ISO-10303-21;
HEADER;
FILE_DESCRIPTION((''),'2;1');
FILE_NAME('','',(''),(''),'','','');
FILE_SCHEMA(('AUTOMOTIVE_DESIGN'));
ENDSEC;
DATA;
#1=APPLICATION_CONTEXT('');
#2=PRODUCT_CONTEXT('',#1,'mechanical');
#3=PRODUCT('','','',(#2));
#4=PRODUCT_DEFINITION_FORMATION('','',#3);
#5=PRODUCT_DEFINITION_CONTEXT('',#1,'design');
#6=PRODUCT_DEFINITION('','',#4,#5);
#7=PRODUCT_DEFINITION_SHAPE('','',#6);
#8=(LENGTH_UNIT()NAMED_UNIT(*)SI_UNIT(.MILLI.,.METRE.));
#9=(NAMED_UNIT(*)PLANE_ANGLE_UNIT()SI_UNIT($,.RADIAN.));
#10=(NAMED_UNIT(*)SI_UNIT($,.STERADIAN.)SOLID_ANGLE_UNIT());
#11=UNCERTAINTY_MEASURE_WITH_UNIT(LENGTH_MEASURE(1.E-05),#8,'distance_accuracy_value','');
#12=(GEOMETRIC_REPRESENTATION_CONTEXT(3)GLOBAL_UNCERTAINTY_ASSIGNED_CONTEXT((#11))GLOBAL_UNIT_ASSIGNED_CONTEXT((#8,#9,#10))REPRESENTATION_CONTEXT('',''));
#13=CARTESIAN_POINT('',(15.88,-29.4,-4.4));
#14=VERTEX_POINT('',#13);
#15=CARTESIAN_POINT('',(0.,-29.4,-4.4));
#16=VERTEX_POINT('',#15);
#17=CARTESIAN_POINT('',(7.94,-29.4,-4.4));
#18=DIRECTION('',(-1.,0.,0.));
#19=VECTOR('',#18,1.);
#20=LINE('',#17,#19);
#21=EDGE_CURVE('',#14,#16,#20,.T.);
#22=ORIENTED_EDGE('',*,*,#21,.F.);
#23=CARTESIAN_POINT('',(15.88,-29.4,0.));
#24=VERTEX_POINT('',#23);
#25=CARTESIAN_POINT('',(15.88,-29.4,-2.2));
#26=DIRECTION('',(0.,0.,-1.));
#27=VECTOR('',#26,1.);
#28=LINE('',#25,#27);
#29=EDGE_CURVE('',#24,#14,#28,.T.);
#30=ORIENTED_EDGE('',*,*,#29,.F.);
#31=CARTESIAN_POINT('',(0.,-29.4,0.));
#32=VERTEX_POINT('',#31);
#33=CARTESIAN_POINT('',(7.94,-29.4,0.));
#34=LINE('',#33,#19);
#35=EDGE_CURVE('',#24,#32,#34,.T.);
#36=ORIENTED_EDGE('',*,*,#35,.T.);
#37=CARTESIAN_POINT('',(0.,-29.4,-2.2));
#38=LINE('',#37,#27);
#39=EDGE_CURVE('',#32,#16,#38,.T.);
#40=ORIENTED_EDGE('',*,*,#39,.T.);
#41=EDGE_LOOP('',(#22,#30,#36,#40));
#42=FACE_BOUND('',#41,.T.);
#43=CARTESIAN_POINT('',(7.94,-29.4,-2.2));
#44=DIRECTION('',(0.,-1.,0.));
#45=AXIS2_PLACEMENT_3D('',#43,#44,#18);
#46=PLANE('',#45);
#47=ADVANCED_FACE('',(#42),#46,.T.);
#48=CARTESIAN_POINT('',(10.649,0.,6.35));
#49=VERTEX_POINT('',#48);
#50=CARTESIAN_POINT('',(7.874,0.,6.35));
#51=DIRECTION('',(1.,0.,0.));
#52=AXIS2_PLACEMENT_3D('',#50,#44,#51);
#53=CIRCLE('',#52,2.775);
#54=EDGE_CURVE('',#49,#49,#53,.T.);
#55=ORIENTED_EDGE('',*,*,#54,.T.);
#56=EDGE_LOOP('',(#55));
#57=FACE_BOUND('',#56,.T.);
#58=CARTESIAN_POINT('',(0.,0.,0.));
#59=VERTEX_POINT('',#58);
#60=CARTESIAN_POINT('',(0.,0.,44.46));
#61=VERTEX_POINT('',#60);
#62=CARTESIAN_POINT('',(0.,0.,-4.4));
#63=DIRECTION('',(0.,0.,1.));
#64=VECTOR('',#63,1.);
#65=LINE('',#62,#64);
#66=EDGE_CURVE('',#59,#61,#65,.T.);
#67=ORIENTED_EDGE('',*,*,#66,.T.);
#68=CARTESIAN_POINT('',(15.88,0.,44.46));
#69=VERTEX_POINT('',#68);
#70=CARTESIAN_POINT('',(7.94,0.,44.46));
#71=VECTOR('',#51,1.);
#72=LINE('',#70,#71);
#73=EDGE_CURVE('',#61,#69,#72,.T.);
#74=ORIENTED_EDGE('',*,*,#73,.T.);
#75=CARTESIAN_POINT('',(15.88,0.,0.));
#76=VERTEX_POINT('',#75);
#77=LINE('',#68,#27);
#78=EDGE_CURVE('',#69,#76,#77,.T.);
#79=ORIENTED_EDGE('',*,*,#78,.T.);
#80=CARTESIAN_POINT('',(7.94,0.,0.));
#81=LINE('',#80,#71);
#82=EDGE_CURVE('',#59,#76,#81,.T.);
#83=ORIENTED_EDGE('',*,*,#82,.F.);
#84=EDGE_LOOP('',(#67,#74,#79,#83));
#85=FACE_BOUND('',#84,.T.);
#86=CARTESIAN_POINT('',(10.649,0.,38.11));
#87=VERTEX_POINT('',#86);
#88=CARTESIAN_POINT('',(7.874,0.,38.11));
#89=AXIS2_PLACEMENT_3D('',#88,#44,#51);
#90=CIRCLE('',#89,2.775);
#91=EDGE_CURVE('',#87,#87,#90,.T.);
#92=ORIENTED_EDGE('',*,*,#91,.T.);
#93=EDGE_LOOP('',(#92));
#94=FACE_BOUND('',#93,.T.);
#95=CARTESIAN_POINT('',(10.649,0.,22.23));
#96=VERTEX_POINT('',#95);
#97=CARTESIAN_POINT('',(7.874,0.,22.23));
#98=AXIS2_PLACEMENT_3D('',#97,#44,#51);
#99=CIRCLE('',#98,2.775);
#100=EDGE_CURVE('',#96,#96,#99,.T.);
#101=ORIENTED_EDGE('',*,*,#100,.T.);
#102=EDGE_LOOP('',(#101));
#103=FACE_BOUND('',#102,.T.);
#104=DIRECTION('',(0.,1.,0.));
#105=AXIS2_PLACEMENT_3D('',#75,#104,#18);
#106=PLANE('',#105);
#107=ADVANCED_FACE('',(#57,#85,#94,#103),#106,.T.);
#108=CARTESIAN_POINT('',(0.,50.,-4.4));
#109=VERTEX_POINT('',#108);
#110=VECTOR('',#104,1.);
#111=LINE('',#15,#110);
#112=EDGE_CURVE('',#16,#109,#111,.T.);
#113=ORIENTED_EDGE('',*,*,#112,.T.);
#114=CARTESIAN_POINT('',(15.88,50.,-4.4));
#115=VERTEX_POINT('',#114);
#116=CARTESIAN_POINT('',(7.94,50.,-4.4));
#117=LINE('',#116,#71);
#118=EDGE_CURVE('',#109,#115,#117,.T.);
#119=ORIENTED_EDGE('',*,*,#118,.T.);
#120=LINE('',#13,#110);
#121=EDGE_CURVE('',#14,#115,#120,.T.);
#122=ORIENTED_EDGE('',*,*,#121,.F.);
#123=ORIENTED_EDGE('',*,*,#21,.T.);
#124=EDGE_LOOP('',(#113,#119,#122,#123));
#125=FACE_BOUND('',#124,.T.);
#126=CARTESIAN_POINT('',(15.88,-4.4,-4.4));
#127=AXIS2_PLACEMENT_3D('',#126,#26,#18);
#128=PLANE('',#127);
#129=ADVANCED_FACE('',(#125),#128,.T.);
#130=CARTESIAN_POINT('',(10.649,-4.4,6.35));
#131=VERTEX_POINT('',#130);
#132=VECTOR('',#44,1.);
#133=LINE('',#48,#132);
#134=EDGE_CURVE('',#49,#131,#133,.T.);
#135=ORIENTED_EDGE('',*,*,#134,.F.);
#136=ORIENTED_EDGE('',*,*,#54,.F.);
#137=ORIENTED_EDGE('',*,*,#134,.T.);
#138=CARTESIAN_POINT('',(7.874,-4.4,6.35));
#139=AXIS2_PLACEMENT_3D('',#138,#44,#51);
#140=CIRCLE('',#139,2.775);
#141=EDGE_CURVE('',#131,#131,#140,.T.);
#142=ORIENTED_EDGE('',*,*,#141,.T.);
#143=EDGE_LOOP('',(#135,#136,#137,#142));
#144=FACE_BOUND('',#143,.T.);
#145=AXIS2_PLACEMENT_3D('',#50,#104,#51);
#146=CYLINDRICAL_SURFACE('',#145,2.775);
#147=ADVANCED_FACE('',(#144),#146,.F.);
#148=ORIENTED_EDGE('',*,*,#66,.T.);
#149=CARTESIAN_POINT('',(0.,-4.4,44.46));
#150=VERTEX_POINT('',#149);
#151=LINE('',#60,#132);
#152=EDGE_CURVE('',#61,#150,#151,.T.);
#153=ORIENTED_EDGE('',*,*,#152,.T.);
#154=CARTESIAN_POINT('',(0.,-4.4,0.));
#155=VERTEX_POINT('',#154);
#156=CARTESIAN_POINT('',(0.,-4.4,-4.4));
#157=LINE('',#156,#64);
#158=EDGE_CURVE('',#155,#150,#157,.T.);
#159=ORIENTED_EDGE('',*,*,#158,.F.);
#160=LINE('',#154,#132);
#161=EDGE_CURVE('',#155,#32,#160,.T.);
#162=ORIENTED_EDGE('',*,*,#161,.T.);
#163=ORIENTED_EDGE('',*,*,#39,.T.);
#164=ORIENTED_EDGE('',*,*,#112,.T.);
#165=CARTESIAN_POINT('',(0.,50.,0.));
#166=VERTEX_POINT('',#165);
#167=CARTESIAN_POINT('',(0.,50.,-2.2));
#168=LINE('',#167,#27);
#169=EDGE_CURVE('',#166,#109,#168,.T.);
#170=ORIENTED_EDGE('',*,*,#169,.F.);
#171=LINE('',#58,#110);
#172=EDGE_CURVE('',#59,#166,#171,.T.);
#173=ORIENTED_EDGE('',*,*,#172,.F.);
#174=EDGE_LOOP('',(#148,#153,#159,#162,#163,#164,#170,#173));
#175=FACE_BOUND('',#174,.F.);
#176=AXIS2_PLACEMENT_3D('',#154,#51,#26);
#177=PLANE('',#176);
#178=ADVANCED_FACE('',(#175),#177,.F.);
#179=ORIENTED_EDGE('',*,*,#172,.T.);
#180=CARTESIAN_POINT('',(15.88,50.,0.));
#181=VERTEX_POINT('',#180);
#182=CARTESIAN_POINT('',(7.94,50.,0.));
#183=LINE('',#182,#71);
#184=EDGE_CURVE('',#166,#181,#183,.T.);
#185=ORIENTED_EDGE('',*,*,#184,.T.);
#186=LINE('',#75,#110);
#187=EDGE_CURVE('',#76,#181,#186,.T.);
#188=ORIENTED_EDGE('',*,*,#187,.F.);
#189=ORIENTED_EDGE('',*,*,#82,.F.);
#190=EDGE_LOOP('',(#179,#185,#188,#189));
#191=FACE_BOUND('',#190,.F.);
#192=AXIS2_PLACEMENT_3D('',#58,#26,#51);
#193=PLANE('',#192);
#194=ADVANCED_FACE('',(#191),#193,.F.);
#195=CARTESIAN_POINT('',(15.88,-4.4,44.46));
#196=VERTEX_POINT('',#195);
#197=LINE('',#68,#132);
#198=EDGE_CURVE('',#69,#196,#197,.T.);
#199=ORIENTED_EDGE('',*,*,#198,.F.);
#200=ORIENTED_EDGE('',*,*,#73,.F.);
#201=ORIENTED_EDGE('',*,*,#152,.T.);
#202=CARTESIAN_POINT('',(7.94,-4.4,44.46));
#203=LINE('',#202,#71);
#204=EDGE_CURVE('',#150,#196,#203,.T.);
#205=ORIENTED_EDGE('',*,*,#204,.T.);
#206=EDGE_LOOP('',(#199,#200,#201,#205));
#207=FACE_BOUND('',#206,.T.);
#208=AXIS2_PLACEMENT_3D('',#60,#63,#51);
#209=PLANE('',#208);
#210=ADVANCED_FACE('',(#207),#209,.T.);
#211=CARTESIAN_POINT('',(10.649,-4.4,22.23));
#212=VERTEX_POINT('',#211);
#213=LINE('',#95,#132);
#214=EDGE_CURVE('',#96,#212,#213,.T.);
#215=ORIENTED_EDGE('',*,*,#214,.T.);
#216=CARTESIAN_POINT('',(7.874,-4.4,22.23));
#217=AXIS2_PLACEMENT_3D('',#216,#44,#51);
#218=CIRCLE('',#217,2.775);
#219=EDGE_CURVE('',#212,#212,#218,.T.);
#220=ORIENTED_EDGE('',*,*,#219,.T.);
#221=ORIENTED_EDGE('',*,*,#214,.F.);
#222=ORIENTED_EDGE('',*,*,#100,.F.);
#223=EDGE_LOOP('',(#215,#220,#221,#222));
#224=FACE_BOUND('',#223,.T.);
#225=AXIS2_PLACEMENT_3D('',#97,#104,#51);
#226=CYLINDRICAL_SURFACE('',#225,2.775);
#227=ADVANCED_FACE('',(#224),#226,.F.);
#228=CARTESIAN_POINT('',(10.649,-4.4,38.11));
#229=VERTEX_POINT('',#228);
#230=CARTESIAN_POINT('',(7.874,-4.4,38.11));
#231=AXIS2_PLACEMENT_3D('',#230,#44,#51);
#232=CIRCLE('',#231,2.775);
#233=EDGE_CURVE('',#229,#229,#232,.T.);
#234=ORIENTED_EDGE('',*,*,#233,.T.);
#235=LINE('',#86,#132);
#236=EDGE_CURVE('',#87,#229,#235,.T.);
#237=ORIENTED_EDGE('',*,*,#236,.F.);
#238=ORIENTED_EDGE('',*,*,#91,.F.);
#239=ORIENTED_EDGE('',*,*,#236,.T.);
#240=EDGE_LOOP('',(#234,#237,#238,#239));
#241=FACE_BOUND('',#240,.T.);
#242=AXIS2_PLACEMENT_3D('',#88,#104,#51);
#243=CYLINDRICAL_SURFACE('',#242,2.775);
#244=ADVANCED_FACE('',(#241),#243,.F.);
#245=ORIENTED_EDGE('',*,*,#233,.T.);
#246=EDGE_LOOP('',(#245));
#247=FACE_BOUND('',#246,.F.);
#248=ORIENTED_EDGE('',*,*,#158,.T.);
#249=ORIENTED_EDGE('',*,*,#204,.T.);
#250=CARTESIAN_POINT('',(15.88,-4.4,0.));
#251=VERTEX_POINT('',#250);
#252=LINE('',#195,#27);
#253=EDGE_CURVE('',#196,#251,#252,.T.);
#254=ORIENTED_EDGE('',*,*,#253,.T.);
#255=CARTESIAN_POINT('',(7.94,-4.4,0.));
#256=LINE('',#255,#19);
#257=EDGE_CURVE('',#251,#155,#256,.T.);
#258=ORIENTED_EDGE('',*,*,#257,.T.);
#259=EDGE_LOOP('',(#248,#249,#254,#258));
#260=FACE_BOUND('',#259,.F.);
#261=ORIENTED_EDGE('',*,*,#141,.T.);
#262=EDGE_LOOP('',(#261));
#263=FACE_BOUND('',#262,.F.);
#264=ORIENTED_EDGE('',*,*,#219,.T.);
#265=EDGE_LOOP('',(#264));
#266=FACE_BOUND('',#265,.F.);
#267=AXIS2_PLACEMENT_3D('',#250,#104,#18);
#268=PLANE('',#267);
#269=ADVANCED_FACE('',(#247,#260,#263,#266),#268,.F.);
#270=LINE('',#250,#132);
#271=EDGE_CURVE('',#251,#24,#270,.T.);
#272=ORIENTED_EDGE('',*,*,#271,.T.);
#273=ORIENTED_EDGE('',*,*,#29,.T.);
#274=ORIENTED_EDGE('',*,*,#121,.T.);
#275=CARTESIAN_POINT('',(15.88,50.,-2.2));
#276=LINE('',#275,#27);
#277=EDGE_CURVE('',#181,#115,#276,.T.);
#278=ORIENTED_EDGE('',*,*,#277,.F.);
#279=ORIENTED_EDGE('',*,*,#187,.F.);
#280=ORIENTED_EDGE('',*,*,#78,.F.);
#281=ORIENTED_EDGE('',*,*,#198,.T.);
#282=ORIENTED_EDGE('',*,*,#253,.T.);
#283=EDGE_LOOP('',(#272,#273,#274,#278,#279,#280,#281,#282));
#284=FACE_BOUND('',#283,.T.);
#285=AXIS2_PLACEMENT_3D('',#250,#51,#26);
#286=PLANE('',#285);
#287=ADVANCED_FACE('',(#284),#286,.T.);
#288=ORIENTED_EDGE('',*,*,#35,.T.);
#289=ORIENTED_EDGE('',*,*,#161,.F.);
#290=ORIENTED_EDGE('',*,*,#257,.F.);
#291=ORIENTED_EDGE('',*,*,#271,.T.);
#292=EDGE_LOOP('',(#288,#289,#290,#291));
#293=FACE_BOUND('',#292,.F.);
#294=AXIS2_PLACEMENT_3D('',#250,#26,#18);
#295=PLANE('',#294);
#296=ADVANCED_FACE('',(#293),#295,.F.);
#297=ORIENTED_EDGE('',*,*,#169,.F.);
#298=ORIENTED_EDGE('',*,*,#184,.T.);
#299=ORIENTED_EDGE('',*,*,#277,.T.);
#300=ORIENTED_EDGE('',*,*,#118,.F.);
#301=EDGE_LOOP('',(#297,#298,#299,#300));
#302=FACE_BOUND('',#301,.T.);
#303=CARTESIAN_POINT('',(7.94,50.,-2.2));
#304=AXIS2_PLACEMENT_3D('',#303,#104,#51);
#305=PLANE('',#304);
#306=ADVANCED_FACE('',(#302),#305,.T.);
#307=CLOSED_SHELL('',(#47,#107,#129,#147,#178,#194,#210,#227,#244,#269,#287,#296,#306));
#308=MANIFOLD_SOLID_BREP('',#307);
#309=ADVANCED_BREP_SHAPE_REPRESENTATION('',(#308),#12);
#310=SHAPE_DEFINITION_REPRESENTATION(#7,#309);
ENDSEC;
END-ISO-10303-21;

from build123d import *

# Parameters (mm, degrees)
SKETCH_W       = 15.88
SKETCH_H       = 44.46
SKETCH_R       = 2.775
PAD_DEPTH      = 4.4
PAD_FACE1_W    = 4.4
PAD_FACE1_H    = 15.88
PAD001_DEPTH   = 4.4
PAD001_FACE6_W = 15.88
PAD001_FACE6_H = 4.4
PAD002_DEPTH   = 50
PAD002_FACE7_W = 15.88
PAD002_FACE7_H = 4.4
PAD003_DEPTH   = 25


with BuildPart() as part:
    # Sketch → Pad (new body)
    with BuildSketch(Plane.XZ):
        with Locations((7.94, 22.23)):
            Rectangle(SKETCH_W, SKETCH_H)
        with Locations((7.874, 6.35)):
            Circle(SKETCH_R, mode=Mode.SUBTRACT)
        with Locations((7.874, 22.23)):
            Circle(SKETCH_R, mode=Mode.SUBTRACT)
        with Locations((7.874, 38.11)):
            Circle(SKETCH_R, mode=Mode.SUBTRACT)
    extrude(amount=PAD_DEPTH)

    # Pad Face1 → Pad001 (add)
    with BuildSketch(Plane(origin=(7.94, -2.2, 0), x_dir=(0, -1, 0), z_dir=(0, 0, -1))):
        Rectangle(PAD_FACE1_W, PAD_FACE1_H)
    extrude(amount=PAD001_DEPTH)

    # Pad001 Face6 → Pad002 (add)
    with BuildSketch(Plane(origin=(7.94, 0, -2.2), x_dir=(1, 0, 0), z_dir=(0, 1, 0))):
        Rectangle(PAD001_FACE6_W, PAD001_FACE6_H)
    extrude(amount=PAD002_DEPTH)

    # Pad002 Face7 → Pad003 (add)
    with BuildSketch(Plane(origin=(7.94, -4.4, -2.2), x_dir=(-1, 0, 0), z_dir=(0, -1, 0))):
        Rectangle(PAD002_FACE7_W, PAD002_FACE7_H)
    extrude(amount=PAD003_DEPTH)


solid = part.part
